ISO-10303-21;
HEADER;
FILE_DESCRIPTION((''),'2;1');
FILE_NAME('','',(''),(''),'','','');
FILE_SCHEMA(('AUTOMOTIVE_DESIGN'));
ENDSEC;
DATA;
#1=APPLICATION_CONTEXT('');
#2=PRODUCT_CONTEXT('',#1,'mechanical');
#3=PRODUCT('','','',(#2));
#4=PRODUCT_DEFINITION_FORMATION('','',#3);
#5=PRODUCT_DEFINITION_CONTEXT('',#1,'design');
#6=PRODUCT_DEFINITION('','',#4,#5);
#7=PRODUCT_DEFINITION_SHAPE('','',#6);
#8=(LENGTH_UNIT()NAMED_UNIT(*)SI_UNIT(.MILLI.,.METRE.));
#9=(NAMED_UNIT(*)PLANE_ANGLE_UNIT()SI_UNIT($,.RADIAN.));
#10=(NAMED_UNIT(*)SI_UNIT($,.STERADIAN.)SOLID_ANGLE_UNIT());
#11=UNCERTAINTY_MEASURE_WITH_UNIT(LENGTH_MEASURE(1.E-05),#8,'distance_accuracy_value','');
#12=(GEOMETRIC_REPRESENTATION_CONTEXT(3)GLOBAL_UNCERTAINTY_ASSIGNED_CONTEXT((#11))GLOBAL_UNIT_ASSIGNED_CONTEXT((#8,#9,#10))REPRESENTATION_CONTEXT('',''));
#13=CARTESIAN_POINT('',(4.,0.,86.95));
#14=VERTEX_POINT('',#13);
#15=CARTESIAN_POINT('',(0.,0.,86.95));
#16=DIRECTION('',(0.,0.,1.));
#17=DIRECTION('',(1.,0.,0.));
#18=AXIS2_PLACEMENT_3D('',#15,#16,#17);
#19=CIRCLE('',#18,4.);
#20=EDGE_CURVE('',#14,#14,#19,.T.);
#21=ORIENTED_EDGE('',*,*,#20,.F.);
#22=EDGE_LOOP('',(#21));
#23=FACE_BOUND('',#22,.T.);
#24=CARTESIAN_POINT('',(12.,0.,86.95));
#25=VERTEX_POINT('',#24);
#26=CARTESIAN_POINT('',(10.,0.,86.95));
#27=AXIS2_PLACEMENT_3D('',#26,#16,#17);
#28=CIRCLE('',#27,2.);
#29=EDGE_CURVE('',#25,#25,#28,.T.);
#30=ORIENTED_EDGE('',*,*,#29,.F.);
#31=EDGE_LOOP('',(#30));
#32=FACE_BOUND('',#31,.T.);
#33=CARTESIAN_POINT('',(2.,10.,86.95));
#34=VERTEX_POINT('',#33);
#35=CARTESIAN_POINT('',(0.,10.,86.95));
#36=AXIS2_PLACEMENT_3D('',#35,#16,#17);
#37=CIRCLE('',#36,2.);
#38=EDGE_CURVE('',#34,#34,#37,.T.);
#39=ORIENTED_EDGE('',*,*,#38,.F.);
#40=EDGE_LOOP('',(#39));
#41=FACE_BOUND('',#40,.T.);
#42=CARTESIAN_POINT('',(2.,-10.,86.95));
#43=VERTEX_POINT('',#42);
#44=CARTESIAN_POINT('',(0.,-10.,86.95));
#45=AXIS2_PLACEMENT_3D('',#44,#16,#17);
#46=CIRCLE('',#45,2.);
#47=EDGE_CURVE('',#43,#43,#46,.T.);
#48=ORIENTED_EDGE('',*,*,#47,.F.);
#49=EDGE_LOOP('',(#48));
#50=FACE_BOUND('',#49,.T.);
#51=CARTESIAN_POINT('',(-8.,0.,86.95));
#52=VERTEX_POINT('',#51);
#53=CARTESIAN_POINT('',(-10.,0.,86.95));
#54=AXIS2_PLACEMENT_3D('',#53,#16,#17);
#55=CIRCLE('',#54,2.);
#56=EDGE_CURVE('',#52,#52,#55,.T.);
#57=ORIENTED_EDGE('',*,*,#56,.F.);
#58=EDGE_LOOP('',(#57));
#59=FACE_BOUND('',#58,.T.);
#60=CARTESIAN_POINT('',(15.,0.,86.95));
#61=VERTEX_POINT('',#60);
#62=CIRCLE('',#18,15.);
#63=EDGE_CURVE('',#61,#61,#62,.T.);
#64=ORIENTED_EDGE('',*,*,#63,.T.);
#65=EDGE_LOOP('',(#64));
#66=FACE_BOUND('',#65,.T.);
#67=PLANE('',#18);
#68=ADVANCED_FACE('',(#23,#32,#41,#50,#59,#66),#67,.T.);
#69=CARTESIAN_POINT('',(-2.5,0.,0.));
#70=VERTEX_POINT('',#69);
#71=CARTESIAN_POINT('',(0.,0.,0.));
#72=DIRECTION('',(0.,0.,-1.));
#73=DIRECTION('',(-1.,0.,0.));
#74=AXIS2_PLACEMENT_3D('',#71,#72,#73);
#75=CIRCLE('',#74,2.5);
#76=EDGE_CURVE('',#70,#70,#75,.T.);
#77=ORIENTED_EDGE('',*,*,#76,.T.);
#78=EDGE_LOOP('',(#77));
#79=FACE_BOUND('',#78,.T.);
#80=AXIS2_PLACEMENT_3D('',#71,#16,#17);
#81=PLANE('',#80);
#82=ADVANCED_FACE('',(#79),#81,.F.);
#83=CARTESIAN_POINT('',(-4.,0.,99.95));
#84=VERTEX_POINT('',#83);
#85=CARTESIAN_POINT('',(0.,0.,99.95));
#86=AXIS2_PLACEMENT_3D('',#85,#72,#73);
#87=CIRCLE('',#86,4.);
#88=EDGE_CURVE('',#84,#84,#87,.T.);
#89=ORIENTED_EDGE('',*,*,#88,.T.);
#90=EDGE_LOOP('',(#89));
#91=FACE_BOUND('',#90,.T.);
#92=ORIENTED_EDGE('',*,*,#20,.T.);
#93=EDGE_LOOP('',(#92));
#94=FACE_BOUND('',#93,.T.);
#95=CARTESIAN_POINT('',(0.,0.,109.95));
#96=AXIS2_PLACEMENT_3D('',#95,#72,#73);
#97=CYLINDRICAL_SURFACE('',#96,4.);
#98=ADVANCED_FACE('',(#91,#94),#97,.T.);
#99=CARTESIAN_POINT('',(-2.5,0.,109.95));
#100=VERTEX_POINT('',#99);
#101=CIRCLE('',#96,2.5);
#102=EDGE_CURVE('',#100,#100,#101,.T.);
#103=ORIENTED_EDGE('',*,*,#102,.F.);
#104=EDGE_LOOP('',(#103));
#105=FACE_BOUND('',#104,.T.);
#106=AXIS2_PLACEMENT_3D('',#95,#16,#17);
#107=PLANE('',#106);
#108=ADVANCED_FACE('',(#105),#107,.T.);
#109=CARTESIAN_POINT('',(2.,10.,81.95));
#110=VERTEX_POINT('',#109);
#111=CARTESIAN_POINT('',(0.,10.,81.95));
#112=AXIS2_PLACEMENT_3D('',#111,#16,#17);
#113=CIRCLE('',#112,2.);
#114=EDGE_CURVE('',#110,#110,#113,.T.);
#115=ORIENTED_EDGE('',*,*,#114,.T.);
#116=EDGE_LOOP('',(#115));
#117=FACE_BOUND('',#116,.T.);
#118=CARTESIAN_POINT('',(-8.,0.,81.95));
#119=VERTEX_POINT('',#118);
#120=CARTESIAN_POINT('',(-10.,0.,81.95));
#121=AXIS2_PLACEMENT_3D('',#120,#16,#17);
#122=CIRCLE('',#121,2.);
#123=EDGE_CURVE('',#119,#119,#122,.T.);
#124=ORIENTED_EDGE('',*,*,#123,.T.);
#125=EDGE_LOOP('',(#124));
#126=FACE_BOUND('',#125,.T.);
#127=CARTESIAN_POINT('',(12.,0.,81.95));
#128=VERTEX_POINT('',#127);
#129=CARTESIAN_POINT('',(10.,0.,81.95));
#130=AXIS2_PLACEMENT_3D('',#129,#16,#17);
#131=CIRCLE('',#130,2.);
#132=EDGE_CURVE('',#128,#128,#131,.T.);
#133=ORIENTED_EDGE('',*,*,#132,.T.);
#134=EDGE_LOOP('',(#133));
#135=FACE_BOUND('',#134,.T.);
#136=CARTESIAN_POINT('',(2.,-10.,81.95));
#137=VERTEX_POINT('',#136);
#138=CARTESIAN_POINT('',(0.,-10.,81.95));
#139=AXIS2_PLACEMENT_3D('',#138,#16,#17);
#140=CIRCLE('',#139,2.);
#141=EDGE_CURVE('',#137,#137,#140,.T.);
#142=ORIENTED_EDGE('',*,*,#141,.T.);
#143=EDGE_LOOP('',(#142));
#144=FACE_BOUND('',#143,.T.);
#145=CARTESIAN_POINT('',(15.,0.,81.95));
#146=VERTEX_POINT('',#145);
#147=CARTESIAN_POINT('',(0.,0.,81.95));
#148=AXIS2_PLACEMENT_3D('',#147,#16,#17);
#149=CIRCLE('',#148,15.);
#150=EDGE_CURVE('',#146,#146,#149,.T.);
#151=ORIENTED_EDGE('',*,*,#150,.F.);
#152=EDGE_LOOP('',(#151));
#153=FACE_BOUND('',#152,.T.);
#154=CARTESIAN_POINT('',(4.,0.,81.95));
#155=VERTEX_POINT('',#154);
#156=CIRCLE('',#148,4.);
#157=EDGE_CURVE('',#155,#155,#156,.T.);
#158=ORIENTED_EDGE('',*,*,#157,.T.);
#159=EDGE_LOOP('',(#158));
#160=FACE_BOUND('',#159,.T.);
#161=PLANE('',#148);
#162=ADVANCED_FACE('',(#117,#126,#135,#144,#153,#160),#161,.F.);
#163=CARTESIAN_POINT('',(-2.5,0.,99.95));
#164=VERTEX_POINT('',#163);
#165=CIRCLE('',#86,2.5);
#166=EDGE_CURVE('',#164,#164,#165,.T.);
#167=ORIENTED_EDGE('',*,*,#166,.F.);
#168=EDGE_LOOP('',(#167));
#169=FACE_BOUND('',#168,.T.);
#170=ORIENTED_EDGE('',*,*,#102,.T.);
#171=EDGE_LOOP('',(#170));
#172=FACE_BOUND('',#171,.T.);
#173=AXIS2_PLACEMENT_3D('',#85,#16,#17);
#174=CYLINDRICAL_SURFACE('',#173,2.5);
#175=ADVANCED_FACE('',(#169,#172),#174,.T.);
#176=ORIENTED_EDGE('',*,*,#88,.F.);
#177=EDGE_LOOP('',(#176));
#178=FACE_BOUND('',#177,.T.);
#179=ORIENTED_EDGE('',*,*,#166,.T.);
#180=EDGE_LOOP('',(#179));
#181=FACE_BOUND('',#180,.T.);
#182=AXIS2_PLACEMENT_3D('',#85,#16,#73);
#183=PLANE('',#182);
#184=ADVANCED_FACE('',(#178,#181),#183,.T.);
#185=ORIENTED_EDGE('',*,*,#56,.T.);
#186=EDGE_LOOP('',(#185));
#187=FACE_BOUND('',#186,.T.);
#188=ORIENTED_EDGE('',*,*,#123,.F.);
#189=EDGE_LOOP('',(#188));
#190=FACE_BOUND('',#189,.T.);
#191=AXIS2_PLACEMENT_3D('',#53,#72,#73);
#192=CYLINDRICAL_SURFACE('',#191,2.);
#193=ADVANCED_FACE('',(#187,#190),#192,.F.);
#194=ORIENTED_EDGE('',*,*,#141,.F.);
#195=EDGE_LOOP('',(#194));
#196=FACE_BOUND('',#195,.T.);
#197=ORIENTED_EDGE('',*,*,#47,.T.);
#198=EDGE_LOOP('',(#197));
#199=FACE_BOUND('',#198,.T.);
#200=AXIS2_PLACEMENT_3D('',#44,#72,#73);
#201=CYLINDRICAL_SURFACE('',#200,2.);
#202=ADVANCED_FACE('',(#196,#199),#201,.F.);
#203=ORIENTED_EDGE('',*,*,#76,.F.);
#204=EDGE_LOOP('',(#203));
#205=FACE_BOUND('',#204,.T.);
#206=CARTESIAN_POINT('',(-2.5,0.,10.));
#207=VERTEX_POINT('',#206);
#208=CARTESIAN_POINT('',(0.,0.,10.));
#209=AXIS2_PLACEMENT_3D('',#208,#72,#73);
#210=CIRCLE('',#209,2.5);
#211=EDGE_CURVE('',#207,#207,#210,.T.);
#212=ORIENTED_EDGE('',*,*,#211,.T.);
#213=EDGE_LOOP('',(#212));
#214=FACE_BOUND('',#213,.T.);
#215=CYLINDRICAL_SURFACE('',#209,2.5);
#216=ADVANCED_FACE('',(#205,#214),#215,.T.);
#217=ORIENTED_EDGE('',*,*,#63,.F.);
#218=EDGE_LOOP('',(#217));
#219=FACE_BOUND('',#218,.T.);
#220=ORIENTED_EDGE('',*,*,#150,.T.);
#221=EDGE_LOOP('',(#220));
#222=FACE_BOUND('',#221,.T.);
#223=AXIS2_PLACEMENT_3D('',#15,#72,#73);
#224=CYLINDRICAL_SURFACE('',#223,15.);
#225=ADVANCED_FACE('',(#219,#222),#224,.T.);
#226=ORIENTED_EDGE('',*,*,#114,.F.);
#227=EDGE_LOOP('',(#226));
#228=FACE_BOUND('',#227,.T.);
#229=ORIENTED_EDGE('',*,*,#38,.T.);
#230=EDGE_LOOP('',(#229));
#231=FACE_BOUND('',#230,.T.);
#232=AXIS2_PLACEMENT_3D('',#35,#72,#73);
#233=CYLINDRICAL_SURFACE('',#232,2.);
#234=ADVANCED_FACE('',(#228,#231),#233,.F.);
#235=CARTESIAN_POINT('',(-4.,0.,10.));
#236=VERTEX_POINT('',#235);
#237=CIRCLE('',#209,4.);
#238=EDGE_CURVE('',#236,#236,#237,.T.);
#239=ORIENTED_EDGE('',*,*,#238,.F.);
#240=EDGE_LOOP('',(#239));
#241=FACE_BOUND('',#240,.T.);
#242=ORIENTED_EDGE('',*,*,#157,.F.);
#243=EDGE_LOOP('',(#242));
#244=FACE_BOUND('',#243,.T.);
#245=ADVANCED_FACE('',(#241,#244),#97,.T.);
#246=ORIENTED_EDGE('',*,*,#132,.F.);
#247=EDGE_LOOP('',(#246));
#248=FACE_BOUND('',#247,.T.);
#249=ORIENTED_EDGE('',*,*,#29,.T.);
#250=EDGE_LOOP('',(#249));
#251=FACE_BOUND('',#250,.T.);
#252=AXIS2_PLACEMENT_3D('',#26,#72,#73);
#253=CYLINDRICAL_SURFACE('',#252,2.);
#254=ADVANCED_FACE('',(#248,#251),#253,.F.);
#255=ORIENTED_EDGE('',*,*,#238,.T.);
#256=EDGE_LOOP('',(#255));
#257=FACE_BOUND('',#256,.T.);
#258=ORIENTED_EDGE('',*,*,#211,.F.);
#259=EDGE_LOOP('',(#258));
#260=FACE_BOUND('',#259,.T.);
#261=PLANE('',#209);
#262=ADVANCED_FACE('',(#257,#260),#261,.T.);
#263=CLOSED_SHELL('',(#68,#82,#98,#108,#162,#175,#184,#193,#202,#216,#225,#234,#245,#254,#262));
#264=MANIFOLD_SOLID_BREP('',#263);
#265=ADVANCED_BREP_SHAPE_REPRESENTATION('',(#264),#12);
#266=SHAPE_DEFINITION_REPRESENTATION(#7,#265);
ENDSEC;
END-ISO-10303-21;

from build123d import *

# Parameters (mm, degrees)
SKETCH1_R           = 4
BOSS_EXTRUDE1_DEPTH = 109.95
SKETCH2_R           = 4
SKETCH2_R_2         = 2.5
CUT_EXTRUDE1_DEPTH  = 10
SKETCH3_R           = 15
SKETCH3_R_2         = 2
BOSS_EXTRUDE2_DEPTH = 5


with BuildPart() as part:
    # Sketch1 → Boss-Extrude1 (new body)
    with BuildSketch(Plane.XY):
        Circle(SKETCH1_R)
    extrude(amount=BOSS_EXTRUDE1_DEPTH)

    # Sketch2 → Cut-Extrude1 (cut)
    with BuildSketch(Plane(origin=(0, 0, 0), x_dir=(-1, 0, 0), z_dir=(0, 0, -1))):
        Circle(SKETCH2_R)
        Circle(SKETCH2_R_2, mode=Mode.SUBTRACT)
    cut_extrude1 = extrude(amount=-CUT_EXTRUDE1_DEPTH, mode=Mode.SUBTRACT)

    # Mirror1: Cut-Extrude1 across plane
    add(cut_extrude1.mirror(Plane.XY.offset(54.975)), mode=Mode.SUBTRACT)

    # Sketch3 → Boss-Extrude2 (add)
    with BuildSketch(Plane.XY.offset(81.95)):
        Circle(SKETCH3_R)
        with Locations((0, 10)):
            Circle(SKETCH3_R_2, mode=Mode.SUBTRACT)
        with Locations((10, 0)):
            Circle(SKETCH3_R_2, mode=Mode.SUBTRACT)
        with Locations((0, -10)):
            Circle(SKETCH3_R_2, mode=Mode.SUBTRACT)
        with Locations((-10, 0)):
            Circle(SKETCH3_R_2, mode=Mode.SUBTRACT)
    extrude(amount=BOSS_EXTRUDE2_DEPTH)


solid = part.part
